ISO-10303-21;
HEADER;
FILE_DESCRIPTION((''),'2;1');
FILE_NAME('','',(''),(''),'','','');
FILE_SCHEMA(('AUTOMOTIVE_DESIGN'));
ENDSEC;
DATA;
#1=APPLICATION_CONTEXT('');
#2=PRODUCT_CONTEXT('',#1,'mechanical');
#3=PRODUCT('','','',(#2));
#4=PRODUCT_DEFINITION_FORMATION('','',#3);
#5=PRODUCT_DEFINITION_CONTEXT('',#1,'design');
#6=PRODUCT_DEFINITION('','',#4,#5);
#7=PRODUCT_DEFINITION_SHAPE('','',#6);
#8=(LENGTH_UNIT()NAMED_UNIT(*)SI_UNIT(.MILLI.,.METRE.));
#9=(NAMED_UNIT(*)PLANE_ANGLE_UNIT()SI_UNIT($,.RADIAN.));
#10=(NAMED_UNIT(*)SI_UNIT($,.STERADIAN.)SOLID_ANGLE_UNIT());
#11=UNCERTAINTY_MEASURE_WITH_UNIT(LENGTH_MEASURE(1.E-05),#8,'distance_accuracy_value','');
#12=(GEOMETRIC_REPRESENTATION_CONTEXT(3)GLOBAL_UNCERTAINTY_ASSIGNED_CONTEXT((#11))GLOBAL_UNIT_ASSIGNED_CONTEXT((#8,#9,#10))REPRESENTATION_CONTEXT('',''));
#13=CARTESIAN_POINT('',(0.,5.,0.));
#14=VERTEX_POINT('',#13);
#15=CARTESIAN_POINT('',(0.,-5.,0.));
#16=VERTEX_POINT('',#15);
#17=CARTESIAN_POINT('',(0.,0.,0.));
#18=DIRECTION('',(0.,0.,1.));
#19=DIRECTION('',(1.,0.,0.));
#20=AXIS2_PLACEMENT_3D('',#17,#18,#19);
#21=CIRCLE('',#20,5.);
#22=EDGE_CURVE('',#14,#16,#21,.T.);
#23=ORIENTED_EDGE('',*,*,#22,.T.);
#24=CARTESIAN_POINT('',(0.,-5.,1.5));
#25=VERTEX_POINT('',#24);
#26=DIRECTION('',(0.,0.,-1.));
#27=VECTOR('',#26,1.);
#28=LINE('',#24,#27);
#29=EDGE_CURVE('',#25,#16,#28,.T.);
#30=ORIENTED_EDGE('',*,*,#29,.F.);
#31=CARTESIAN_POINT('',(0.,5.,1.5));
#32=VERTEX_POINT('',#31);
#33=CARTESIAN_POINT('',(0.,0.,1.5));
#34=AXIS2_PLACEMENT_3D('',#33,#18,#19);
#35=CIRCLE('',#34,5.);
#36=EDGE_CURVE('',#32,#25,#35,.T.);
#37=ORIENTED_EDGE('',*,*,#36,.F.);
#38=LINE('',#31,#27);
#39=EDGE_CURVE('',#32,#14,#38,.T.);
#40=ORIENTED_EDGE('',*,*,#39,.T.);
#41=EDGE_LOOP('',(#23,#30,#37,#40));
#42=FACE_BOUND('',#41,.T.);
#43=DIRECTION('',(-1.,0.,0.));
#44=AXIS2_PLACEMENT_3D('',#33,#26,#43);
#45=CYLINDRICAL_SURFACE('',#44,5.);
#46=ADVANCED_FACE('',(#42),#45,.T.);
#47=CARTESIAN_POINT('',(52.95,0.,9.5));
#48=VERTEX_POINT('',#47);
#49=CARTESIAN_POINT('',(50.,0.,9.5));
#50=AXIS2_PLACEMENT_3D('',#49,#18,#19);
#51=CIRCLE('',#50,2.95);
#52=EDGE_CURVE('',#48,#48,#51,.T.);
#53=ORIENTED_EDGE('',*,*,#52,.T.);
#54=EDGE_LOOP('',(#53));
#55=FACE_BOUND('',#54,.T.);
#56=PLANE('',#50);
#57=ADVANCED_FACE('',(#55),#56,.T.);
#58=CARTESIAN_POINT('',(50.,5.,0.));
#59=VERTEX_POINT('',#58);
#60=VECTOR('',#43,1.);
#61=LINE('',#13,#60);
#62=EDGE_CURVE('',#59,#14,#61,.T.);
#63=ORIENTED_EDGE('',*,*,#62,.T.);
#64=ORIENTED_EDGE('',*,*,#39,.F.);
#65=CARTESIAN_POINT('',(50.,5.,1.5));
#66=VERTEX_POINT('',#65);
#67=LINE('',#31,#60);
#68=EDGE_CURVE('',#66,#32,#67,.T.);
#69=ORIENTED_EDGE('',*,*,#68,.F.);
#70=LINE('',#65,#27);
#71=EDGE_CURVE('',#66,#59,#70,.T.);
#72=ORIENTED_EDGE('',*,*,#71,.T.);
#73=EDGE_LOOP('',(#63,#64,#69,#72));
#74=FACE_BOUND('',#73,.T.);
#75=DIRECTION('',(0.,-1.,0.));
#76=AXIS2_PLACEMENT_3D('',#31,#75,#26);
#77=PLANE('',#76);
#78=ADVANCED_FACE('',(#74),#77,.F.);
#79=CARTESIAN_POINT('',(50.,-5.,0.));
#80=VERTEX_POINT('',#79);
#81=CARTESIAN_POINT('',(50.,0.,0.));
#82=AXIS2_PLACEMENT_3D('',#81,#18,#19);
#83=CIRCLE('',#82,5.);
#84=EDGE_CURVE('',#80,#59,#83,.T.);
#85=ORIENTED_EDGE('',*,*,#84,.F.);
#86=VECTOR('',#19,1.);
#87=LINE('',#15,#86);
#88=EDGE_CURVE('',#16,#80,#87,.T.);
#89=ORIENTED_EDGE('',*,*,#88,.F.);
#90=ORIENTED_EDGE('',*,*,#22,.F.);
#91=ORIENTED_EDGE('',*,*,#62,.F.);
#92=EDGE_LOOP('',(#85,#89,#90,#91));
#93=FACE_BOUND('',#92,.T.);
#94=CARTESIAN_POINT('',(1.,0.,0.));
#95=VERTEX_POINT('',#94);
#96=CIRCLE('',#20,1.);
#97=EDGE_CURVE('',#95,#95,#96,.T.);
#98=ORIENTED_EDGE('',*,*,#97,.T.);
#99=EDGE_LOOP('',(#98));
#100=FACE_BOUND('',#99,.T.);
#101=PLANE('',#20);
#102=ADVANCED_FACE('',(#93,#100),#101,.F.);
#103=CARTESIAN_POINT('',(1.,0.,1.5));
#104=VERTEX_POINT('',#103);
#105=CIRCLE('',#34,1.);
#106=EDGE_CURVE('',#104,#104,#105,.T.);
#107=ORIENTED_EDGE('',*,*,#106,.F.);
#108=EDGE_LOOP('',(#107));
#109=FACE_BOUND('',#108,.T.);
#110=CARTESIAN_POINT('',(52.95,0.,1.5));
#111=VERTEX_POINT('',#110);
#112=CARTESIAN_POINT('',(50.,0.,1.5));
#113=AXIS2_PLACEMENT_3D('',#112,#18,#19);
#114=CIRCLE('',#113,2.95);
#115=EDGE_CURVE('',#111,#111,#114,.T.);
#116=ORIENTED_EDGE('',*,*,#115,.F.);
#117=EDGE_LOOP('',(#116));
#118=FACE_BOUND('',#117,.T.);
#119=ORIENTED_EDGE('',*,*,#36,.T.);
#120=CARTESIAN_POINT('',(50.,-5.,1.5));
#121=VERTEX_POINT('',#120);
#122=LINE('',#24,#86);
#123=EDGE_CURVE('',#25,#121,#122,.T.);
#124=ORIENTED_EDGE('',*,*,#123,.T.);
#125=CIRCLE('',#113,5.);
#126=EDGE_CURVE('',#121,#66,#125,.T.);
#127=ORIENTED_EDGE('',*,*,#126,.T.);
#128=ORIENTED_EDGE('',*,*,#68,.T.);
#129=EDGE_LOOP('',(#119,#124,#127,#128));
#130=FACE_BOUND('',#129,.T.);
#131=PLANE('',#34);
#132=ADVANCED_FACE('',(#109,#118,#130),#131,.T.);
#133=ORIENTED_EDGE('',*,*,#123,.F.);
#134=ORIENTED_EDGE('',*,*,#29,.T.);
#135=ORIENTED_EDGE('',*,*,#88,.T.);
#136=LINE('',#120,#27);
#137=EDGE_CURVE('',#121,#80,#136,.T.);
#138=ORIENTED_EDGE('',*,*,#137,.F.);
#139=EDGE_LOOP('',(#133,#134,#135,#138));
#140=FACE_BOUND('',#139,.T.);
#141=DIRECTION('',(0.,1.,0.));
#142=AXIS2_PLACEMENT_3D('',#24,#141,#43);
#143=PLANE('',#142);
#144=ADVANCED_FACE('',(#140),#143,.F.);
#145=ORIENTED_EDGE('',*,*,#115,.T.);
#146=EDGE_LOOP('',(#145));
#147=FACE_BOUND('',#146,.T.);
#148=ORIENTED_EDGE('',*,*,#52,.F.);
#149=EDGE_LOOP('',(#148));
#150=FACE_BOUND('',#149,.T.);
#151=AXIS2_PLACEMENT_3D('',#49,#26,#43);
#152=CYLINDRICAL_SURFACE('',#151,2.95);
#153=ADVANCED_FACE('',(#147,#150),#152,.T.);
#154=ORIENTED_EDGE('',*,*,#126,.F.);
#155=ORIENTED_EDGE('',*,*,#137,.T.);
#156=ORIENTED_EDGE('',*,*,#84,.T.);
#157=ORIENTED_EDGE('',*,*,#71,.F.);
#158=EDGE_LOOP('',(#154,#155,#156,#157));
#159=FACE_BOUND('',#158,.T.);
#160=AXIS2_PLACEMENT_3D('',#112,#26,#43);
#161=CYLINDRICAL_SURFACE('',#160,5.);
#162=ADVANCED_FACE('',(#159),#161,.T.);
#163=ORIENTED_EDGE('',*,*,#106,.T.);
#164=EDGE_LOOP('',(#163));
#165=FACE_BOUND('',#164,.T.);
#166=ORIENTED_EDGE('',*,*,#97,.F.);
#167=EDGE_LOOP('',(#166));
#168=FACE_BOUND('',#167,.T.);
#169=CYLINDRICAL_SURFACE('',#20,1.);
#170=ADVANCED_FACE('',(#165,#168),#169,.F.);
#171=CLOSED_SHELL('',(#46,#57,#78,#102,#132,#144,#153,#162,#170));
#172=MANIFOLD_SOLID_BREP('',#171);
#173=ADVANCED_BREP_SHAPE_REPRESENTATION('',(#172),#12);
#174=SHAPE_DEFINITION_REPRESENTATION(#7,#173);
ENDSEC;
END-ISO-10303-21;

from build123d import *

# Parameters (mm, degrees)
BOSS_EXTRUDE4_DEPTH = 1.5
SKETCH4_R           = 1
CUT_EXTRUDE1_DEPTH  = 56.247171873
SKETCH5_R           = 2.95
BOSS_EXTRUDE5_DEPTH = 8


with BuildPart() as part:
    # Sketch1 → Boss-Extrude4 (new body)
    with BuildSketch(Plane.XY):
        with BuildLine():
            Line((0, 5), (50, 5))
            ThreePointArc((50, 5), (55, 0), (50, -5))
            Line((50, -5), (0, -5))
            ThreePointArc((0, -5), (-5, 0), (0, 5))
        make_face()
    extrude(amount=BOSS_EXTRUDE4_DEPTH)

    # Sketch4 → Cut-Extrude1 (cut, through all)
    with BuildSketch(Plane.XY.offset(1.5)):
        Circle(SKETCH4_R)
    extrude(amount=-CUT_EXTRUDE1_DEPTH, mode=Mode.SUBTRACT)

    # Sketch5 → Boss-Extrude5 (add)
    with BuildSketch(Plane.XY.offset(1.5)):
        with Locations((50, 0)):
            Circle(SKETCH5_R)
    extrude(amount=BOSS_EXTRUDE5_DEPTH)


solid = part.part
